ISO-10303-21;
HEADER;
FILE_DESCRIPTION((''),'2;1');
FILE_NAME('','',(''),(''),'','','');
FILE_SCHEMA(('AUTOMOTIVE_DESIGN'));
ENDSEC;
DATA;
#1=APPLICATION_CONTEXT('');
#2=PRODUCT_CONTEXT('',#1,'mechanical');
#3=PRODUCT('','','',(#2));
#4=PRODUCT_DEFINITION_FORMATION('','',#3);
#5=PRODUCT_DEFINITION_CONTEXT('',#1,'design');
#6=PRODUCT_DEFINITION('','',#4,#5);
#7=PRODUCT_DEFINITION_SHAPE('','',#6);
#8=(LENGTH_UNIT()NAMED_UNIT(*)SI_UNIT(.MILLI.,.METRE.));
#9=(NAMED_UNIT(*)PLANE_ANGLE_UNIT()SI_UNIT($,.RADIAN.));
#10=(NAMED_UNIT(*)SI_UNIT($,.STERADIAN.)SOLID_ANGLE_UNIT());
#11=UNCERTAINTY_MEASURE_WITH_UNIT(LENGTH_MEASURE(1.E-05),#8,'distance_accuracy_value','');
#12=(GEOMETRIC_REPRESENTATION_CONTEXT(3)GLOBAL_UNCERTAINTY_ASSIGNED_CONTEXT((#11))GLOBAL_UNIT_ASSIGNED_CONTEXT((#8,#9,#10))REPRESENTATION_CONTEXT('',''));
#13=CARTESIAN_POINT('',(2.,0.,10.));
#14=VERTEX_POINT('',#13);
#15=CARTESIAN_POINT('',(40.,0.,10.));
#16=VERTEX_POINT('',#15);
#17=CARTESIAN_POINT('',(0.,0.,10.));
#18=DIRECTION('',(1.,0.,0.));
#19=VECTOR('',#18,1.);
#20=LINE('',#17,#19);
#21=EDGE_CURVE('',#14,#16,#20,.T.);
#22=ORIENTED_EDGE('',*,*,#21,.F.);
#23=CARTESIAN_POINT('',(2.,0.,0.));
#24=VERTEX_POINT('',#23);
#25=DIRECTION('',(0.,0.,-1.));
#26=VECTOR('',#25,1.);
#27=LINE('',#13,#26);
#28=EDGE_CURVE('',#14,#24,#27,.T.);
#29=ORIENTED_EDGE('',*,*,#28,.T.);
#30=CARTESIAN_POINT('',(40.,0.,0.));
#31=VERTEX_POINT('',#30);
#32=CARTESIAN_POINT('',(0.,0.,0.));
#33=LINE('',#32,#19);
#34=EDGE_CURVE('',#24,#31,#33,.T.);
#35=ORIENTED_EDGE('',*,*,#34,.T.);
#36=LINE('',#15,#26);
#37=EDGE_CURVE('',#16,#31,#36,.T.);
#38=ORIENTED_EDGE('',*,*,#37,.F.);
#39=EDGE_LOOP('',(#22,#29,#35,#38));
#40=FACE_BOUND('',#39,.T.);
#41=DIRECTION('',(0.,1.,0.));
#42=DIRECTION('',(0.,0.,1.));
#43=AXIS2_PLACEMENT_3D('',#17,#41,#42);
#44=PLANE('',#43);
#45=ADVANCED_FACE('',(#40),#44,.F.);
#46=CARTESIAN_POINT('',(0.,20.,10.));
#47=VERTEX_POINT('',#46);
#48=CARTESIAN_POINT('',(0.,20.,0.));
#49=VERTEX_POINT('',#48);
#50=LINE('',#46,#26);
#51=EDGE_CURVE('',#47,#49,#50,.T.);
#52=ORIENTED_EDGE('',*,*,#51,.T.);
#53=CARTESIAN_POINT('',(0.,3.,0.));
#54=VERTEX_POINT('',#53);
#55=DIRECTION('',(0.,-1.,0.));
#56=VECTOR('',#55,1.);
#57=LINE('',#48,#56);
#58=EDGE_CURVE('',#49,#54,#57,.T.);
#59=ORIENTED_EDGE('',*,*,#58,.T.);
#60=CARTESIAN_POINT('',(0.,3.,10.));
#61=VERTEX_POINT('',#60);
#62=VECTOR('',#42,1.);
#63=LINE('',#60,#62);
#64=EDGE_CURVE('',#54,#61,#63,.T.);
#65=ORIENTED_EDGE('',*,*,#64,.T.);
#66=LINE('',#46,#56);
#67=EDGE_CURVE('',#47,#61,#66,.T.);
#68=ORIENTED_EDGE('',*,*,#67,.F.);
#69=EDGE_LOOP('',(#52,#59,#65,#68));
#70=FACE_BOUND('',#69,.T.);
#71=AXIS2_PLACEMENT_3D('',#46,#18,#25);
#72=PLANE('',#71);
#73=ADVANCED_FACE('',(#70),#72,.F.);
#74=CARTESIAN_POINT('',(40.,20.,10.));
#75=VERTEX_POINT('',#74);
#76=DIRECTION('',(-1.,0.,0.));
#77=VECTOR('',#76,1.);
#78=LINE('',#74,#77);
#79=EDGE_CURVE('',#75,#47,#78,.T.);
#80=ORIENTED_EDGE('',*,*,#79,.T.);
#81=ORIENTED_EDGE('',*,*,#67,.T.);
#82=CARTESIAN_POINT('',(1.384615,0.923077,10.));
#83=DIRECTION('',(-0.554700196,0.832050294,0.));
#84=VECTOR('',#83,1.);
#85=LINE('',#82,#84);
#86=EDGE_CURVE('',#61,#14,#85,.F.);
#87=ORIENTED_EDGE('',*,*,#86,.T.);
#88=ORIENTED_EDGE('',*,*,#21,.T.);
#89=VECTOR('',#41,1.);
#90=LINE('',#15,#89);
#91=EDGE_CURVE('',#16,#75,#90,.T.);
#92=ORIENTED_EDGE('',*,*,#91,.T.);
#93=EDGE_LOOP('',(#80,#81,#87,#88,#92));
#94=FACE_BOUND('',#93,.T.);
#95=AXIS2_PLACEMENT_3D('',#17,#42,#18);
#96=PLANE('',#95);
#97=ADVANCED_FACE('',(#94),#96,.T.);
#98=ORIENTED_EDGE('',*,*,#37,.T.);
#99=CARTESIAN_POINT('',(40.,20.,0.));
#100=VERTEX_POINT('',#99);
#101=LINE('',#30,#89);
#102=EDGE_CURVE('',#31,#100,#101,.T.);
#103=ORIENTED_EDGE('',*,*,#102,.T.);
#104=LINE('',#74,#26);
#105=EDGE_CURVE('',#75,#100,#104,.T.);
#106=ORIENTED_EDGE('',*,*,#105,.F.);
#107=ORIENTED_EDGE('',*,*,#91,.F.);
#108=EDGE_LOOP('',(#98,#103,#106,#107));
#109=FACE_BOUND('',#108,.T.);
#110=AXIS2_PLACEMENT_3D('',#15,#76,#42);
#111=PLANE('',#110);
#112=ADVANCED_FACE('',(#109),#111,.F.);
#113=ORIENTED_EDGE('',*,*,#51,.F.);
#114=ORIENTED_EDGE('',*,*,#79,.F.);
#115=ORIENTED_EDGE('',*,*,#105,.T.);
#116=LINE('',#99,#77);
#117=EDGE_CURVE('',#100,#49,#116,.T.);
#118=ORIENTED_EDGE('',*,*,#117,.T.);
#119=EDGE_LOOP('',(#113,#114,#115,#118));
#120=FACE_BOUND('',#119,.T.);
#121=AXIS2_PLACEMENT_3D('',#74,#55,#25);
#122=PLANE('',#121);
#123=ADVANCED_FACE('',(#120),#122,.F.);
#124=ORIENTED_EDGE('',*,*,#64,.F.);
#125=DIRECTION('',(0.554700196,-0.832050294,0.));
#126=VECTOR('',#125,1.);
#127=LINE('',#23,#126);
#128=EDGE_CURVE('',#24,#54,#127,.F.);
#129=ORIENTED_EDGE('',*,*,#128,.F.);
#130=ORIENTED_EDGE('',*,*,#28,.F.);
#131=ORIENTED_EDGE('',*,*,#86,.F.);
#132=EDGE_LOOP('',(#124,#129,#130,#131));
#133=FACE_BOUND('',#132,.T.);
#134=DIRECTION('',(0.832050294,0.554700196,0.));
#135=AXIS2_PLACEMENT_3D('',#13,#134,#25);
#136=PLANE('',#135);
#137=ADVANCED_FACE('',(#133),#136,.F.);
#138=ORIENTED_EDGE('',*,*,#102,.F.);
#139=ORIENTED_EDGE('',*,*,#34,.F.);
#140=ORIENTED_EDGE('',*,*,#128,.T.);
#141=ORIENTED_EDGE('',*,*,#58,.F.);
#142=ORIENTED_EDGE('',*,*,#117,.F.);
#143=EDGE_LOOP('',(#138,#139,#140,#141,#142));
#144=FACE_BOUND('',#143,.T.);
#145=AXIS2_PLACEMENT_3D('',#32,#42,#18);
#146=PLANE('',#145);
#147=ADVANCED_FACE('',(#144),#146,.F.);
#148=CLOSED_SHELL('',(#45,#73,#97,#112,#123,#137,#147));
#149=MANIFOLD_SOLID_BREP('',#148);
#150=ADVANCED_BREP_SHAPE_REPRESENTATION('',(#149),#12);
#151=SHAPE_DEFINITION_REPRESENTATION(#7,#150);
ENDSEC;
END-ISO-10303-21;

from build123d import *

# Parameters (mm, degrees)
SKETCH1_W           = 40
SKETCH1_H           = 20
BOSS_EXTRUDE1_DEPTH = 10
CHAMFER1_SIZE       = 3
CHAMFER1_SIZE2      = 2


with BuildPart() as part:
    # Sketch1 → Boss-Extrude1 (new body)
    with BuildSketch(Plane.XY):
        with Locations((20, 10)):
            Rectangle(SKETCH1_W, SKETCH1_H)
    extrude(amount=BOSS_EXTRUDE1_DEPTH)

    # Chamfer1
    chamfer1_edges = [part.edges().sort_by_distance(p)[0] for p in [
        (0, 0, 5),
    ]]
    chamfer1_side = [part.faces().sort_by_distance(p)[0] for p in [
        (0, 10, 5),
    ]]
    chamfer(chamfer1_edges, length=CHAMFER1_SIZE, length2=CHAMFER1_SIZE2, reference=chamfer1_side[0])


solid = part.part
